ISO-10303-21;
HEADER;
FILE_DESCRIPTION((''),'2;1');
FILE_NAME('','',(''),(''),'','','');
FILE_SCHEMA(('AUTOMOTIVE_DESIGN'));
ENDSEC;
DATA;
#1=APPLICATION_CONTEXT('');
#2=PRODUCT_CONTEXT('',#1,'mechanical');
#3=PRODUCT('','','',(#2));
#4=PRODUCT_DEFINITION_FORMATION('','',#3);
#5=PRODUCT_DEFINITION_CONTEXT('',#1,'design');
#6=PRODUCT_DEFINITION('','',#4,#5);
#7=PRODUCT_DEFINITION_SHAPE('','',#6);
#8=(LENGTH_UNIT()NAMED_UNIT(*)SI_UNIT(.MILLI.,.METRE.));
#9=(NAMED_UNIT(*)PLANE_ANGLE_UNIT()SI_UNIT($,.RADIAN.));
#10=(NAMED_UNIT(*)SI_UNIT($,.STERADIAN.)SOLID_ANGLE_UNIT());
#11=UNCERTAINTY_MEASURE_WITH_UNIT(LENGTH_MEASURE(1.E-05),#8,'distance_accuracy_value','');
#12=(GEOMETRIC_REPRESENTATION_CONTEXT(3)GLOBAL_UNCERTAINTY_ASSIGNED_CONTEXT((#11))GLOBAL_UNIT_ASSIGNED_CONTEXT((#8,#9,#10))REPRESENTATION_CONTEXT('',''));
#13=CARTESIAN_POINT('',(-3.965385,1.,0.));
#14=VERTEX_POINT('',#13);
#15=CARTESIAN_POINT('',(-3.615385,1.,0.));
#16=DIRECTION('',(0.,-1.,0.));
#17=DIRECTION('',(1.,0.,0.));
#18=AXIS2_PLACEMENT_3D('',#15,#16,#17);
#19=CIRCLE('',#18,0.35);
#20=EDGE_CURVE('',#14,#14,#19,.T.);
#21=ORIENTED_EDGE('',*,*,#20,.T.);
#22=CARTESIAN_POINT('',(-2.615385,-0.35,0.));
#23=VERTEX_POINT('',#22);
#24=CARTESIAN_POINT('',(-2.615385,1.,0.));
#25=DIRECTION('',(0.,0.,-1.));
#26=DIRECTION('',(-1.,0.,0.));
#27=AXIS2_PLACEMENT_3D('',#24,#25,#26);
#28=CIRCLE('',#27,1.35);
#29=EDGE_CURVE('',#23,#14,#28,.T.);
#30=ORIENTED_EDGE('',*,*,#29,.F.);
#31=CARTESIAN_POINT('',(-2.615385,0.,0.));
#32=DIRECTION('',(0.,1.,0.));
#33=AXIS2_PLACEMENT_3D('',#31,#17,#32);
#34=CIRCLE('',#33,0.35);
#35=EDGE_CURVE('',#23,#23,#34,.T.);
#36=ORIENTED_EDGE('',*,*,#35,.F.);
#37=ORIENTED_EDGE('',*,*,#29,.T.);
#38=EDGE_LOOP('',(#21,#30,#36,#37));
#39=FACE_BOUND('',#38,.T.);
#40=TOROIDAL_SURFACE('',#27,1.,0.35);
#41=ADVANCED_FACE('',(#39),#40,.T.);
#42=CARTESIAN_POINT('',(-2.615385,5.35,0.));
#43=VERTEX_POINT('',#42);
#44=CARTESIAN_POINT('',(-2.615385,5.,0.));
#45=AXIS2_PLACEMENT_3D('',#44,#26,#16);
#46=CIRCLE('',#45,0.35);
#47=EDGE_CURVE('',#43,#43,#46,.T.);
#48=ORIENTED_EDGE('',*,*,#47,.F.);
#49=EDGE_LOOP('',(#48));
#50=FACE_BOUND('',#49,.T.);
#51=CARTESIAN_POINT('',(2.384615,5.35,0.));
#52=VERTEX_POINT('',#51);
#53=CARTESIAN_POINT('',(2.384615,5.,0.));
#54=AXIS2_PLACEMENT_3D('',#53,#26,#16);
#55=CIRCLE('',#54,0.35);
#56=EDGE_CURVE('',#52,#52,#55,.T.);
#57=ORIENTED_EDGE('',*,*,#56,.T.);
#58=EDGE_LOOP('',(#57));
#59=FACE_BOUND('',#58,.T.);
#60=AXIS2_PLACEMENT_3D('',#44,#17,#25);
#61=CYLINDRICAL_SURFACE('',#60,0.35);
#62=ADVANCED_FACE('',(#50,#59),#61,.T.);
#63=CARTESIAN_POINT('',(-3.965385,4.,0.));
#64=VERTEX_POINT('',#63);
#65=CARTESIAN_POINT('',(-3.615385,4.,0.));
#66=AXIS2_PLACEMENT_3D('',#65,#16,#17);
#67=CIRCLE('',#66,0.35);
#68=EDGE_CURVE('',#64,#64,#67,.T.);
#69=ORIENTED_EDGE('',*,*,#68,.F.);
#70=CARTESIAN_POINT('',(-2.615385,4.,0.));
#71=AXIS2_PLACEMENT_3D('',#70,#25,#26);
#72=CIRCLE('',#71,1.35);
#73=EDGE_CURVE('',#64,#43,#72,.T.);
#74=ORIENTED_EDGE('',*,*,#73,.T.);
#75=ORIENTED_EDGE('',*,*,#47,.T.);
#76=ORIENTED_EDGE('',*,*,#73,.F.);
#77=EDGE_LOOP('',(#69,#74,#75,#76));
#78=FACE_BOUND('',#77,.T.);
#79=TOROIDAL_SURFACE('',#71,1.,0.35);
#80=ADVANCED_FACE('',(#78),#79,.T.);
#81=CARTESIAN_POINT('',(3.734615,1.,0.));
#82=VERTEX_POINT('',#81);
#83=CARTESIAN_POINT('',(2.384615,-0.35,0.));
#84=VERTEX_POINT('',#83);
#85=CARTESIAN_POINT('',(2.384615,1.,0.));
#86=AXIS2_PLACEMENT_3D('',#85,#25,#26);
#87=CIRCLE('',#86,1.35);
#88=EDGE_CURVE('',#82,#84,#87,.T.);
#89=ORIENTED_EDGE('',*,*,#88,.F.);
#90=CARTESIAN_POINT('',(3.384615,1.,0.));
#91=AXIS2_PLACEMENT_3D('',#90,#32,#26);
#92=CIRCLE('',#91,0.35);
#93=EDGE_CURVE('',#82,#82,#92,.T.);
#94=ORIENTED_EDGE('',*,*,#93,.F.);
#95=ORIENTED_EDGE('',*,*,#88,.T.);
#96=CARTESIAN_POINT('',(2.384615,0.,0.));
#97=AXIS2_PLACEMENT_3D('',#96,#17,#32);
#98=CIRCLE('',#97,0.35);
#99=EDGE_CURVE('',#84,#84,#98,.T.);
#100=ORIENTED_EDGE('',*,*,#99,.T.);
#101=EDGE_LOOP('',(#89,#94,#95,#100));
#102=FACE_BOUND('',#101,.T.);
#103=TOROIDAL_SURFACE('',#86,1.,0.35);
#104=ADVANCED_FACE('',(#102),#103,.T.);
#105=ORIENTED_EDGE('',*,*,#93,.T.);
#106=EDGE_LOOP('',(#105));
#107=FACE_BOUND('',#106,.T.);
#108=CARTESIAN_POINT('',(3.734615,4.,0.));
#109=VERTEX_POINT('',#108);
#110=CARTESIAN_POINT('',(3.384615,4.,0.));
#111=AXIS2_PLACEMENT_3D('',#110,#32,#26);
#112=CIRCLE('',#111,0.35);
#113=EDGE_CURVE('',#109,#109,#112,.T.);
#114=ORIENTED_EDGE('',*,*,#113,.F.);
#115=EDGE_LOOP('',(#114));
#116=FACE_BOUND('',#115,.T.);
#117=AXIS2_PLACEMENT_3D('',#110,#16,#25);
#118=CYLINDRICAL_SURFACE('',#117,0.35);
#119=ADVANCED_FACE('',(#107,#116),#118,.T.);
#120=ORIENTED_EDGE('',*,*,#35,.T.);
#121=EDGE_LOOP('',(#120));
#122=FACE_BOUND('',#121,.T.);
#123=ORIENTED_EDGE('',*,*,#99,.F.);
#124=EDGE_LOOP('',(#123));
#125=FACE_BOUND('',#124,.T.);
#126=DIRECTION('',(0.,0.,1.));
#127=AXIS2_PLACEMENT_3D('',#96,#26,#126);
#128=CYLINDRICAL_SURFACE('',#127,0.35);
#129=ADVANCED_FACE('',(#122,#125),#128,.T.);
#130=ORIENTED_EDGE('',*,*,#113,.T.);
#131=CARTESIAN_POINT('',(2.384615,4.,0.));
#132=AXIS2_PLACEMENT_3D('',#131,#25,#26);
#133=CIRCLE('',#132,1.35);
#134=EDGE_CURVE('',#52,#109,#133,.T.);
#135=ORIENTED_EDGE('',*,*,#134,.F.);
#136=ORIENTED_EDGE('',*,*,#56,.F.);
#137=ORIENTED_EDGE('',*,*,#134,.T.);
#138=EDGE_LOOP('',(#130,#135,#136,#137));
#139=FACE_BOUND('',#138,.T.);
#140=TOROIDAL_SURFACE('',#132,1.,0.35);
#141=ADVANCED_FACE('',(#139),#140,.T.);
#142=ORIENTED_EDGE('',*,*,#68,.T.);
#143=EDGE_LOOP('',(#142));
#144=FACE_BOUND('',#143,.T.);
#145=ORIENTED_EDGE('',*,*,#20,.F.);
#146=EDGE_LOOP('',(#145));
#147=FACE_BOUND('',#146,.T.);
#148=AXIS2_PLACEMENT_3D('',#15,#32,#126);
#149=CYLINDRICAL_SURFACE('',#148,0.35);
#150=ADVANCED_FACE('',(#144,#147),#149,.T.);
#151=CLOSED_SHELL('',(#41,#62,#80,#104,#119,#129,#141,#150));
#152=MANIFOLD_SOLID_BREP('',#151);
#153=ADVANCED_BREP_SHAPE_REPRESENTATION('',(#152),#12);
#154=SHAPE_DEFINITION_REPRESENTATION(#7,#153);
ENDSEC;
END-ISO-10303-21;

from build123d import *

# Parameters (mm, degrees)
SWEEP2_PROFILE_R = 0.35


with BuildPart() as part:
    # Sweep2: sweep along a path in Sketch1
    with BuildLine(Plane.XY) as sweep2_path:
        Line((-3.615384615, 4), (-3.615384615, 1))
        ThreePointArc((-3.615384615, 1), (-3.322491397, 0.292893219), (-2.615384615, 0))
        Line((-2.615384615, 0), (2.384615385, 0))
        ThreePointArc((2.384615385, 0), (3.091722166, 0.292893219), (3.384615385, 1))
        Line((3.384615385, 1), (3.384615385, 4))
        ThreePointArc((3.384615385, 4), (3.091722166, 4.707106781), (2.384615385, 5))
        Line((2.384615385, 5), (-2.615384615, 5))
        ThreePointArc((-2.615384615, 5), (-3.322491397, 4.707106781), (-3.615384615, 4))
    # Sweep2 profile (on start of the path) → Sweep2 (sweep)
    with BuildSketch(Plane(origin=(-3.615384615, 4, 0), x_dir=(0, 0, -1), z_dir=(0, -1, 0))):
        Circle(SWEEP2_PROFILE_R)
    sweep(path=sweep2_path.line)


solid = part.part
